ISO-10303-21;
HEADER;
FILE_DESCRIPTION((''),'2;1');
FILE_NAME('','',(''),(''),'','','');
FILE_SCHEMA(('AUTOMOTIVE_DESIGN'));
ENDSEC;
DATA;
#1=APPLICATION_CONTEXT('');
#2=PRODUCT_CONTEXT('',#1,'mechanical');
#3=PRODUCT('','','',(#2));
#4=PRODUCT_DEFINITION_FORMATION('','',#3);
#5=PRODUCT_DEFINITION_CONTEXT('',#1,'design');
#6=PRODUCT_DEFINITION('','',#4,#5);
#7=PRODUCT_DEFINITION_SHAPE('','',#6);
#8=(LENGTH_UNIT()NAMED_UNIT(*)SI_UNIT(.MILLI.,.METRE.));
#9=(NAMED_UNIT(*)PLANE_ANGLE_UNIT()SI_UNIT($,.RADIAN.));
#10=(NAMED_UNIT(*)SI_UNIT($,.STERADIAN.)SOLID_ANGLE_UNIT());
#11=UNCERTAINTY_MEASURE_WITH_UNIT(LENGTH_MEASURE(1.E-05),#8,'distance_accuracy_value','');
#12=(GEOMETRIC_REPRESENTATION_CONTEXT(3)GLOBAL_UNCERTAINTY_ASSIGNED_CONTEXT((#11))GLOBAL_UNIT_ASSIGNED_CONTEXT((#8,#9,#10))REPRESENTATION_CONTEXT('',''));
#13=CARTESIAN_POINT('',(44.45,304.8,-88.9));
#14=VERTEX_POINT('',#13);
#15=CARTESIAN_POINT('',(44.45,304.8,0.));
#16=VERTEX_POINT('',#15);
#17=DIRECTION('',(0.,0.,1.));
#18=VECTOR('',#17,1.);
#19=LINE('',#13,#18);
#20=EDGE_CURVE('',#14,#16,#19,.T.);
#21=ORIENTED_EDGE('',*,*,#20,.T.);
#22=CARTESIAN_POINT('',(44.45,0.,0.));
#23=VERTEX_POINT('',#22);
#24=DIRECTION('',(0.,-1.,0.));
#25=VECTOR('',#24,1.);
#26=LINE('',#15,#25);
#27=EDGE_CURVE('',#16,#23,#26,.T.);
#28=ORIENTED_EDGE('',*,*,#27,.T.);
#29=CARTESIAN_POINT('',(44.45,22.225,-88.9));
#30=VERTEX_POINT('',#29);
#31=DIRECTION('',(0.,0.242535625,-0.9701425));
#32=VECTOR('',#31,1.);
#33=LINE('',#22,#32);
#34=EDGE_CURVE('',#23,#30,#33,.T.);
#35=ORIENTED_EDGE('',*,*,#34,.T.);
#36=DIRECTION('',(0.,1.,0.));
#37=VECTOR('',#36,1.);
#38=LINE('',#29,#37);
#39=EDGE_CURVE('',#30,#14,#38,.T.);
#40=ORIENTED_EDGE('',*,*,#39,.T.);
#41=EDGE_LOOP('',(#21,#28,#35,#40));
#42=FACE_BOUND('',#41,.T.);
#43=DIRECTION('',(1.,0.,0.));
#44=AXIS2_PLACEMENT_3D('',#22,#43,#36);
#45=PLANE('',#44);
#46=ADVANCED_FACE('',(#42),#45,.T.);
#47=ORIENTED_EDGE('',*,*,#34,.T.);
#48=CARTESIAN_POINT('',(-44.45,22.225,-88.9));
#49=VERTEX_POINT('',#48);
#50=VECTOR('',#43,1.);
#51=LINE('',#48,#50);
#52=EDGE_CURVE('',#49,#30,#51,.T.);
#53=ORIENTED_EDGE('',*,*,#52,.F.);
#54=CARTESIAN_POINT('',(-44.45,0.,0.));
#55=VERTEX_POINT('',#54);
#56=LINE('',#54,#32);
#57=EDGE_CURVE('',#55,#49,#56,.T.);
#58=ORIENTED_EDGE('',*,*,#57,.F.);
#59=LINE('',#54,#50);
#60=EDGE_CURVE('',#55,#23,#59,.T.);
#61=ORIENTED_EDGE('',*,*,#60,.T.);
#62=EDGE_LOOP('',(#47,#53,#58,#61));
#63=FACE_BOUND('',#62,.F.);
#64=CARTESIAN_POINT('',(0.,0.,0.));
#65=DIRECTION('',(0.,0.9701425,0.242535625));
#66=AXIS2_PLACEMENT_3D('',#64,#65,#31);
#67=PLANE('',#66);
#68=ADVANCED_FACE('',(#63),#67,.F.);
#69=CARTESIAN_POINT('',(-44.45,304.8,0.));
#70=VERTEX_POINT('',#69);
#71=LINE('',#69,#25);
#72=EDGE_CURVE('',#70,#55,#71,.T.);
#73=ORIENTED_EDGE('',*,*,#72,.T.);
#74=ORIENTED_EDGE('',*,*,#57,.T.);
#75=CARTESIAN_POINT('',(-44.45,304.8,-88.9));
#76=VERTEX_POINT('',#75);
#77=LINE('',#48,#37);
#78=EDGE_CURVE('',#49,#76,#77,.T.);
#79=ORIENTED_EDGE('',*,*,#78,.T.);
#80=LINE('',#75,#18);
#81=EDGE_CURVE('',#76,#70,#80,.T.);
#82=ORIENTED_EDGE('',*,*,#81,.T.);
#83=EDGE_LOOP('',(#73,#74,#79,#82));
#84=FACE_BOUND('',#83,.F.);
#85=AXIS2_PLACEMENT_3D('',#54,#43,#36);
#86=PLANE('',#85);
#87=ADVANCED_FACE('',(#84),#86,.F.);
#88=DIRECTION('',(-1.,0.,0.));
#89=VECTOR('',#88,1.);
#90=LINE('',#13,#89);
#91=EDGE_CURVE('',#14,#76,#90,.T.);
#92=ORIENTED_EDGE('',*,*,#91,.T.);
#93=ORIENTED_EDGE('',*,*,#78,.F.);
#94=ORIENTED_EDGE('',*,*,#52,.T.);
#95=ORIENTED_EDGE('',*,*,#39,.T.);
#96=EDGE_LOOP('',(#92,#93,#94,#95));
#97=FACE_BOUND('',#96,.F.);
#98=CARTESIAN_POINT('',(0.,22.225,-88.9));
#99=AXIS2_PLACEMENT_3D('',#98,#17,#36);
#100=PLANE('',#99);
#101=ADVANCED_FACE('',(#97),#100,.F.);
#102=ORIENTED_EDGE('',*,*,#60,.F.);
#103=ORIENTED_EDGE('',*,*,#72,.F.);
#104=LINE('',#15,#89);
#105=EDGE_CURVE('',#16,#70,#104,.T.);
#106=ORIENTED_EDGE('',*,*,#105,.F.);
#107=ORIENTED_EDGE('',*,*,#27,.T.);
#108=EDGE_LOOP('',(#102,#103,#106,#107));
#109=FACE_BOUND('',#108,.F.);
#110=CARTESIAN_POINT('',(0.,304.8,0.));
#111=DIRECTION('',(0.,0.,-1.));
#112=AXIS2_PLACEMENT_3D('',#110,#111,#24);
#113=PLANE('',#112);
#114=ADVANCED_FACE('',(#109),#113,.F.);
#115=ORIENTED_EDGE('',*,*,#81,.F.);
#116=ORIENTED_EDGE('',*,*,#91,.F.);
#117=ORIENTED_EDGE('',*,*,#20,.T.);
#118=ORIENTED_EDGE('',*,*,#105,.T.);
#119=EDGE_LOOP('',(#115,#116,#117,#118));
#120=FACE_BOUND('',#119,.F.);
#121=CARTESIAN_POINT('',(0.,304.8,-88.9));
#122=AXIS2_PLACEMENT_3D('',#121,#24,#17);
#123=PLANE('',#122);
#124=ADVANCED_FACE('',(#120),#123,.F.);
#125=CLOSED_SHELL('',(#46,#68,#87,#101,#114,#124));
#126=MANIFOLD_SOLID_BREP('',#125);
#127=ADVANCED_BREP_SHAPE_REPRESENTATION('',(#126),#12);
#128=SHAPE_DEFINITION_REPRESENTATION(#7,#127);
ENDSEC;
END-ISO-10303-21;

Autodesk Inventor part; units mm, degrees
ref_plane "YZ Plane" through (0, 0, 0) normal (1, 0, 0) x (0, 1, 0)
ref_plane "XZ Plane" through (0, 0, 0) normal (0, 1, 0) x (-1, 0, 0)
ref_plane "XY Plane" through (0, 0, 0) normal (0, 0, 1) x (1, 0, 0)
sketch "Sketch1" plane through (0, 0, 0) normal (1, 0, 0) x (0, 1, 0)
  line L0 (0, 0) -> (22.225, -88.9)
  line L1 (22.225, -88.9) -> (304.8, -88.9)
  line L2 (304.8, -88.9) -> (304.8, 0)
  line L3 (304.8, 0) -> (0, 0)
  line L4 (0, 0) -> (0, -88.9) construction
  dimension "width" = 88.9
  dimension "roofAngle" = 14.036
  dimension "height" = 304.8
extrude "Extrusion1" add sketch "Sketch1" along normal mid plane 88.9
equation "\"d3\" = width"
properties part number "4x4x12-post" material "Wood (Birch)"
